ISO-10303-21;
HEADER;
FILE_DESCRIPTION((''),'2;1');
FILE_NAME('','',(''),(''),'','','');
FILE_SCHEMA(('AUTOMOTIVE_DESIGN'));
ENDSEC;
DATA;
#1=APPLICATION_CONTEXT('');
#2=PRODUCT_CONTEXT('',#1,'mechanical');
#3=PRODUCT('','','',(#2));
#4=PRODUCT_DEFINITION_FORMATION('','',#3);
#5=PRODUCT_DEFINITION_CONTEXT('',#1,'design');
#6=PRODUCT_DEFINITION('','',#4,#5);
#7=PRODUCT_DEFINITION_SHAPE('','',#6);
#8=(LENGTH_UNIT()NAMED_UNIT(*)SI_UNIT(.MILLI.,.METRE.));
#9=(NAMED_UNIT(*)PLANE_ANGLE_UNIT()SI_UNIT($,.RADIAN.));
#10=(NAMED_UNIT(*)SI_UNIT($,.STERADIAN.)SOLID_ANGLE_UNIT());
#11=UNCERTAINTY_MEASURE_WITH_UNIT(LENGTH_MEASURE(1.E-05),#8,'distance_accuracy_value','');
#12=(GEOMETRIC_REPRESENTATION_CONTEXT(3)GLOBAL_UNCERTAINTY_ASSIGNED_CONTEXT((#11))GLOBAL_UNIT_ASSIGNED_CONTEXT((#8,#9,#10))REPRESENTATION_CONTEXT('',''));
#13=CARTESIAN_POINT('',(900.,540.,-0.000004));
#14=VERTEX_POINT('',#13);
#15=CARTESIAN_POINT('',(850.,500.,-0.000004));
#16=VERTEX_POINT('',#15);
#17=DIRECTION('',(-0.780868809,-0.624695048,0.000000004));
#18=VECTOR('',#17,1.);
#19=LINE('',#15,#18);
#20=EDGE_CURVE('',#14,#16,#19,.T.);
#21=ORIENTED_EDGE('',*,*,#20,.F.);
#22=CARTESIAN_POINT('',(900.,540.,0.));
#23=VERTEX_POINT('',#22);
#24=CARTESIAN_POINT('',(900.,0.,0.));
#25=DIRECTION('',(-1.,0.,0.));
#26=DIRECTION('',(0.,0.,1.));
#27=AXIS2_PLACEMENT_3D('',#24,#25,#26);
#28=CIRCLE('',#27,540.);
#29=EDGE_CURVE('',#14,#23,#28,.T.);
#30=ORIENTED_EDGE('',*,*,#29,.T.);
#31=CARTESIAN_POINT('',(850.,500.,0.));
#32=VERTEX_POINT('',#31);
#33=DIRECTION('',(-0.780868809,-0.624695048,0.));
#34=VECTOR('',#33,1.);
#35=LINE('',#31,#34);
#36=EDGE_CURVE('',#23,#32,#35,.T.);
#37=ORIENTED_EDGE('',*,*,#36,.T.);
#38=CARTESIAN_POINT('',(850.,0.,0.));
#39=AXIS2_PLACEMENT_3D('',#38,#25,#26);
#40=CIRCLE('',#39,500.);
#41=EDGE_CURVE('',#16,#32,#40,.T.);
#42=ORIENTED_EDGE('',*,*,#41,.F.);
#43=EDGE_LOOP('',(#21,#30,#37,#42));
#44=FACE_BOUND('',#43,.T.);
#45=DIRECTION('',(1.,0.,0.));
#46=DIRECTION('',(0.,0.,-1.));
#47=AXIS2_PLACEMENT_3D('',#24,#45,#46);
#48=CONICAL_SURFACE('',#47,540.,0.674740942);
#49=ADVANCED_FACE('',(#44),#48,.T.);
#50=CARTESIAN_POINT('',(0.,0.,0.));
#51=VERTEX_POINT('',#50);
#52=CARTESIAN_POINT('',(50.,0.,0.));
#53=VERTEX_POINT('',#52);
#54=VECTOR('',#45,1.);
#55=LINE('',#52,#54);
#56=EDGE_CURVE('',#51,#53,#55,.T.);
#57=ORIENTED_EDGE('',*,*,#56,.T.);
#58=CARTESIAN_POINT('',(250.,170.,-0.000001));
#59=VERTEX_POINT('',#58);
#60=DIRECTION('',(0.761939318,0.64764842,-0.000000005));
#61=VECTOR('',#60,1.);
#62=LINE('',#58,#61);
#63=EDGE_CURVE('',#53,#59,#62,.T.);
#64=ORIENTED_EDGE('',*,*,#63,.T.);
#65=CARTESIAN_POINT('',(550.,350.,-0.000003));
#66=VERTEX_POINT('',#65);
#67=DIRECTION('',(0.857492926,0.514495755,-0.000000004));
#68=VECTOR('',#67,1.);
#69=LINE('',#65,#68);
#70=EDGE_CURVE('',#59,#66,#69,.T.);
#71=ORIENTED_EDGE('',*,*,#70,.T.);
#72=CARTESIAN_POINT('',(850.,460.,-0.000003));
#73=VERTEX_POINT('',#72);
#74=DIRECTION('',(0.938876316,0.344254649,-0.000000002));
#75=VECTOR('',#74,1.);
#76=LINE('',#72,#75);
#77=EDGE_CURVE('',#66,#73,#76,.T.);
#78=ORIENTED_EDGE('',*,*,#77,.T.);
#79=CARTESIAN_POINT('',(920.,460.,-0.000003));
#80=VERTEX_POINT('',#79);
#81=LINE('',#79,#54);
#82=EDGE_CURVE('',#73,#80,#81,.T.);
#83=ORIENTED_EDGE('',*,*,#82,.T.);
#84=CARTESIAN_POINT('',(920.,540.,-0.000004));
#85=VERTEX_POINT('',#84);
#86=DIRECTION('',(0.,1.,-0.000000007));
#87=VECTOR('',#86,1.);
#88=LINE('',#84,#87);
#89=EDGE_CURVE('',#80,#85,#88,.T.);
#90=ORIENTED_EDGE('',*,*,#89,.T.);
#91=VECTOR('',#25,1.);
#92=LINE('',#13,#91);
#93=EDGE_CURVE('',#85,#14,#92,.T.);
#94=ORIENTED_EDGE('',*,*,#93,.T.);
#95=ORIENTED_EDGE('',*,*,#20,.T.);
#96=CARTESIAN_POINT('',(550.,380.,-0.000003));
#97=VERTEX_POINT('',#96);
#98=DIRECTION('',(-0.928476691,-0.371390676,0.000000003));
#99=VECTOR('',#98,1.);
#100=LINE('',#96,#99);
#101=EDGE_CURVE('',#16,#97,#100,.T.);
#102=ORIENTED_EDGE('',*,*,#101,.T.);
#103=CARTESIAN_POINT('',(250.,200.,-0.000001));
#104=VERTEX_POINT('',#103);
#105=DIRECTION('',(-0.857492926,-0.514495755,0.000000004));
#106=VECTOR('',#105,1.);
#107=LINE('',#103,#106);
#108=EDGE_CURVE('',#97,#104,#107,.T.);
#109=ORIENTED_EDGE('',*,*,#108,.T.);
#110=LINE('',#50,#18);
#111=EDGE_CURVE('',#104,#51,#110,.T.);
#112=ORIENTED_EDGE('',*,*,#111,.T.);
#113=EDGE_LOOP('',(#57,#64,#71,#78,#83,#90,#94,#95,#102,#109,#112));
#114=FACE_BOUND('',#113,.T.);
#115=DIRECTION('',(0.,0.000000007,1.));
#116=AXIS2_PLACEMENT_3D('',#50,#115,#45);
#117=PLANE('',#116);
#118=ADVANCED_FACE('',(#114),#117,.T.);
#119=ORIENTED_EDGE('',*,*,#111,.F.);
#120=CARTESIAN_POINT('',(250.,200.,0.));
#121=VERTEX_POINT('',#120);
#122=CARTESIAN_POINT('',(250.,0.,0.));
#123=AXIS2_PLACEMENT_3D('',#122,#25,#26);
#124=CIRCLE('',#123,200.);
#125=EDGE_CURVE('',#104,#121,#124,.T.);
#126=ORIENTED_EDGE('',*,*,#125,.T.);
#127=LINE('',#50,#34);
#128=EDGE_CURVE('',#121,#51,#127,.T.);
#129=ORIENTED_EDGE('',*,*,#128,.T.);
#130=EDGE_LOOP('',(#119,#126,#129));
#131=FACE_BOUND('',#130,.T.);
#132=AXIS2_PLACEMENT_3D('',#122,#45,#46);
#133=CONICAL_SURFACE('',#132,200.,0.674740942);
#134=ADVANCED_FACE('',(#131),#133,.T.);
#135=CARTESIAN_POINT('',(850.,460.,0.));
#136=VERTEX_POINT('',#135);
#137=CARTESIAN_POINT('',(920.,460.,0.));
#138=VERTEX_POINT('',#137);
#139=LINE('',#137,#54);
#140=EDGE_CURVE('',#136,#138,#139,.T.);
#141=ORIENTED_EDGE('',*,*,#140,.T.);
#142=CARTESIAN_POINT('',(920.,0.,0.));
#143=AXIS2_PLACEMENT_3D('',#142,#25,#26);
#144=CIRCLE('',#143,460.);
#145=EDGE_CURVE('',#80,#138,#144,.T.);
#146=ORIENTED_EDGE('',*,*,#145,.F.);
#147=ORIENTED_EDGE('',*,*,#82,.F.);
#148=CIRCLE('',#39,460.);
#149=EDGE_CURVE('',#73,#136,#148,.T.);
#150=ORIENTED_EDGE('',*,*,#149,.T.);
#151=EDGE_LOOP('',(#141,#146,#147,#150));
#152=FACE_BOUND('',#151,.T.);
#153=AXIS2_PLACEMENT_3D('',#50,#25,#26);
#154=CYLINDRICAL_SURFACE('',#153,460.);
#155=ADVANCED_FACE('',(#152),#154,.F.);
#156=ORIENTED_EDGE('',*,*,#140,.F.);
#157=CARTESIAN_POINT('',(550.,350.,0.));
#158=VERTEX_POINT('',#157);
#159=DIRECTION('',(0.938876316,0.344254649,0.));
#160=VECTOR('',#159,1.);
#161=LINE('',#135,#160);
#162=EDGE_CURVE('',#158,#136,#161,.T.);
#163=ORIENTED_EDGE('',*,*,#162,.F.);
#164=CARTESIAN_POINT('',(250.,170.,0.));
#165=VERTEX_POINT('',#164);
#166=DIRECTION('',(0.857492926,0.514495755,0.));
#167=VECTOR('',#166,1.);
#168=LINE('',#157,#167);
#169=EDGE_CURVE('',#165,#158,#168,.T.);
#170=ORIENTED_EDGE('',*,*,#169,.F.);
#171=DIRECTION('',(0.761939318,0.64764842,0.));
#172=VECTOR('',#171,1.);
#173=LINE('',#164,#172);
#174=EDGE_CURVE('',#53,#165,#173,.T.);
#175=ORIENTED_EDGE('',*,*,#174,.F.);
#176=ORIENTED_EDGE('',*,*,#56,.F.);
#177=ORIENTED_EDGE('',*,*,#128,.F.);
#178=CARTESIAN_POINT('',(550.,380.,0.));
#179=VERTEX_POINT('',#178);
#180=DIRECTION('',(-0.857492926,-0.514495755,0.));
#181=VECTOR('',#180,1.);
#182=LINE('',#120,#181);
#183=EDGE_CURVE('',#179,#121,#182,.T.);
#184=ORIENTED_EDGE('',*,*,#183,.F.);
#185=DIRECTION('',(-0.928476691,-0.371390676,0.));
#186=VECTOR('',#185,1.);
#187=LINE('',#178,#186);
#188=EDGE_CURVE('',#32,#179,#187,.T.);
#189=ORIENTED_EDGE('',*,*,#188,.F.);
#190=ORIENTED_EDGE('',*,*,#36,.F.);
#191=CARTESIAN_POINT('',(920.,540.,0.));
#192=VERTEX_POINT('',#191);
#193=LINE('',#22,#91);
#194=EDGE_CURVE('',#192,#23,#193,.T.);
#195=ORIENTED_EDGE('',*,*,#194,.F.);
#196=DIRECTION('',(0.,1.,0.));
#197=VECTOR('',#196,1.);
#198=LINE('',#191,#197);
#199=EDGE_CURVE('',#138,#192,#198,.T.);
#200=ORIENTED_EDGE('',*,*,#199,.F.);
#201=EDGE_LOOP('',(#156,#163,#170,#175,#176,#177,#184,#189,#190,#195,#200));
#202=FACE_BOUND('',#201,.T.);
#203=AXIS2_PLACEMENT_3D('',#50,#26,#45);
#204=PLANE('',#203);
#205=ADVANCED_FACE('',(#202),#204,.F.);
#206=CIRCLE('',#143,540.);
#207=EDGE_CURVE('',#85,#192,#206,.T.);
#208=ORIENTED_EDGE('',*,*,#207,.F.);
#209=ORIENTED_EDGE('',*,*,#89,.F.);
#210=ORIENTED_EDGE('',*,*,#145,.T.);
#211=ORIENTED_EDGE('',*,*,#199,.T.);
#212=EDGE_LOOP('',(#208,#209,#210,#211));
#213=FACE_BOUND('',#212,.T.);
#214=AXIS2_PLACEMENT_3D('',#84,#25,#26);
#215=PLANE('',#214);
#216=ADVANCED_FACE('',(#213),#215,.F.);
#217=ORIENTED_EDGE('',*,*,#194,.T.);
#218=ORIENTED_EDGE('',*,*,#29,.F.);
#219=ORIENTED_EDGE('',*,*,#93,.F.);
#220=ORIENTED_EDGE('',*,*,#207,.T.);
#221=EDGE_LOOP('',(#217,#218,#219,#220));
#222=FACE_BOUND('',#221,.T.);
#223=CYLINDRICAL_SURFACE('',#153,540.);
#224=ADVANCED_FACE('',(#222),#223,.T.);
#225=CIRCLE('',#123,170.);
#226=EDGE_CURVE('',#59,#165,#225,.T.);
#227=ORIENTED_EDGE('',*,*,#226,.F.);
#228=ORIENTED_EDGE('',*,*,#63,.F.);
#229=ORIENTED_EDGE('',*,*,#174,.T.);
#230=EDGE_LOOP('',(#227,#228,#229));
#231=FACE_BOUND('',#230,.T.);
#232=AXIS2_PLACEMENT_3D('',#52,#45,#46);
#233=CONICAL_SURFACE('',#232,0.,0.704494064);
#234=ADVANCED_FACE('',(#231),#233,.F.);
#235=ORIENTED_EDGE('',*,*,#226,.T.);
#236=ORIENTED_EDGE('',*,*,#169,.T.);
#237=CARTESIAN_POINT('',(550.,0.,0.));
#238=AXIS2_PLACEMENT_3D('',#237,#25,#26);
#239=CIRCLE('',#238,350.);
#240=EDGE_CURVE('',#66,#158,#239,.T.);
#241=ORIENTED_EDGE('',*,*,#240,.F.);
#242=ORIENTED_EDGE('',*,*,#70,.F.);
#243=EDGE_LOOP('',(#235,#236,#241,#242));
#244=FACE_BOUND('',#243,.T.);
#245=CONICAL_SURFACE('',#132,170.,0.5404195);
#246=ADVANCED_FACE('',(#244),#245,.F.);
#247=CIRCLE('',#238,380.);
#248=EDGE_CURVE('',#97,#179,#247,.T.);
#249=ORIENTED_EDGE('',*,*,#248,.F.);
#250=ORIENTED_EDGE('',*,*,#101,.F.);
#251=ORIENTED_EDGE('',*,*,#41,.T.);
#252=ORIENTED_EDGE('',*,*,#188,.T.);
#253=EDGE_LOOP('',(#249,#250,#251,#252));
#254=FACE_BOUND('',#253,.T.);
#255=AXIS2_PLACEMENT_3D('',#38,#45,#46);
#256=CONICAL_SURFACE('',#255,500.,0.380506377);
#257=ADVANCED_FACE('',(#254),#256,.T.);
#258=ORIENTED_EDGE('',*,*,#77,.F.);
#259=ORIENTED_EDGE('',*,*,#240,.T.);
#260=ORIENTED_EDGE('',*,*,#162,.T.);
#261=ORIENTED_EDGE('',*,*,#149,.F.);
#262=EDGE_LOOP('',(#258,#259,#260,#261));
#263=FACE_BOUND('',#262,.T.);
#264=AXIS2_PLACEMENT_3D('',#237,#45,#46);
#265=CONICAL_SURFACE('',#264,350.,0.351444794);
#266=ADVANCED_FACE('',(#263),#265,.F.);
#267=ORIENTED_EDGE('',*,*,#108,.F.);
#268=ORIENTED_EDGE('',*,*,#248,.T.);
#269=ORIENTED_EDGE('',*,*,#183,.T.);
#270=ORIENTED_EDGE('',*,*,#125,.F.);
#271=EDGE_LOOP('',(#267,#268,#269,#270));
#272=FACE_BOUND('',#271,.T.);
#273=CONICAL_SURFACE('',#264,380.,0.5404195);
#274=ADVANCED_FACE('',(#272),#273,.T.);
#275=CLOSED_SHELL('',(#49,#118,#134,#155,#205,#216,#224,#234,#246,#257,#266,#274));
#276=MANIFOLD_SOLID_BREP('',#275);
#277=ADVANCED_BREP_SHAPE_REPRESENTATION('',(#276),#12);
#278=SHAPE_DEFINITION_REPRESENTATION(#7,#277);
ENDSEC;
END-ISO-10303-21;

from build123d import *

# Parameters (mm, degrees)
REVOLVE1_ANGLE = 359.999999589


with BuildPart() as part:
    # Sketch1 → Revolve1 (revolve)
    with BuildSketch(Plane.XY):
        Polygon((0, 0), (250, 200), (550, 380), (850, 500), (900, 540), (920, 540), (920, 460), (850, 460), (550, 350), (250, 170), (50, 0), align=None)
    revolve(axis=Axis((0, 0, 0), (1, 0, 0)), revolution_arc=REVOLVE1_ANGLE)


solid = part.part
